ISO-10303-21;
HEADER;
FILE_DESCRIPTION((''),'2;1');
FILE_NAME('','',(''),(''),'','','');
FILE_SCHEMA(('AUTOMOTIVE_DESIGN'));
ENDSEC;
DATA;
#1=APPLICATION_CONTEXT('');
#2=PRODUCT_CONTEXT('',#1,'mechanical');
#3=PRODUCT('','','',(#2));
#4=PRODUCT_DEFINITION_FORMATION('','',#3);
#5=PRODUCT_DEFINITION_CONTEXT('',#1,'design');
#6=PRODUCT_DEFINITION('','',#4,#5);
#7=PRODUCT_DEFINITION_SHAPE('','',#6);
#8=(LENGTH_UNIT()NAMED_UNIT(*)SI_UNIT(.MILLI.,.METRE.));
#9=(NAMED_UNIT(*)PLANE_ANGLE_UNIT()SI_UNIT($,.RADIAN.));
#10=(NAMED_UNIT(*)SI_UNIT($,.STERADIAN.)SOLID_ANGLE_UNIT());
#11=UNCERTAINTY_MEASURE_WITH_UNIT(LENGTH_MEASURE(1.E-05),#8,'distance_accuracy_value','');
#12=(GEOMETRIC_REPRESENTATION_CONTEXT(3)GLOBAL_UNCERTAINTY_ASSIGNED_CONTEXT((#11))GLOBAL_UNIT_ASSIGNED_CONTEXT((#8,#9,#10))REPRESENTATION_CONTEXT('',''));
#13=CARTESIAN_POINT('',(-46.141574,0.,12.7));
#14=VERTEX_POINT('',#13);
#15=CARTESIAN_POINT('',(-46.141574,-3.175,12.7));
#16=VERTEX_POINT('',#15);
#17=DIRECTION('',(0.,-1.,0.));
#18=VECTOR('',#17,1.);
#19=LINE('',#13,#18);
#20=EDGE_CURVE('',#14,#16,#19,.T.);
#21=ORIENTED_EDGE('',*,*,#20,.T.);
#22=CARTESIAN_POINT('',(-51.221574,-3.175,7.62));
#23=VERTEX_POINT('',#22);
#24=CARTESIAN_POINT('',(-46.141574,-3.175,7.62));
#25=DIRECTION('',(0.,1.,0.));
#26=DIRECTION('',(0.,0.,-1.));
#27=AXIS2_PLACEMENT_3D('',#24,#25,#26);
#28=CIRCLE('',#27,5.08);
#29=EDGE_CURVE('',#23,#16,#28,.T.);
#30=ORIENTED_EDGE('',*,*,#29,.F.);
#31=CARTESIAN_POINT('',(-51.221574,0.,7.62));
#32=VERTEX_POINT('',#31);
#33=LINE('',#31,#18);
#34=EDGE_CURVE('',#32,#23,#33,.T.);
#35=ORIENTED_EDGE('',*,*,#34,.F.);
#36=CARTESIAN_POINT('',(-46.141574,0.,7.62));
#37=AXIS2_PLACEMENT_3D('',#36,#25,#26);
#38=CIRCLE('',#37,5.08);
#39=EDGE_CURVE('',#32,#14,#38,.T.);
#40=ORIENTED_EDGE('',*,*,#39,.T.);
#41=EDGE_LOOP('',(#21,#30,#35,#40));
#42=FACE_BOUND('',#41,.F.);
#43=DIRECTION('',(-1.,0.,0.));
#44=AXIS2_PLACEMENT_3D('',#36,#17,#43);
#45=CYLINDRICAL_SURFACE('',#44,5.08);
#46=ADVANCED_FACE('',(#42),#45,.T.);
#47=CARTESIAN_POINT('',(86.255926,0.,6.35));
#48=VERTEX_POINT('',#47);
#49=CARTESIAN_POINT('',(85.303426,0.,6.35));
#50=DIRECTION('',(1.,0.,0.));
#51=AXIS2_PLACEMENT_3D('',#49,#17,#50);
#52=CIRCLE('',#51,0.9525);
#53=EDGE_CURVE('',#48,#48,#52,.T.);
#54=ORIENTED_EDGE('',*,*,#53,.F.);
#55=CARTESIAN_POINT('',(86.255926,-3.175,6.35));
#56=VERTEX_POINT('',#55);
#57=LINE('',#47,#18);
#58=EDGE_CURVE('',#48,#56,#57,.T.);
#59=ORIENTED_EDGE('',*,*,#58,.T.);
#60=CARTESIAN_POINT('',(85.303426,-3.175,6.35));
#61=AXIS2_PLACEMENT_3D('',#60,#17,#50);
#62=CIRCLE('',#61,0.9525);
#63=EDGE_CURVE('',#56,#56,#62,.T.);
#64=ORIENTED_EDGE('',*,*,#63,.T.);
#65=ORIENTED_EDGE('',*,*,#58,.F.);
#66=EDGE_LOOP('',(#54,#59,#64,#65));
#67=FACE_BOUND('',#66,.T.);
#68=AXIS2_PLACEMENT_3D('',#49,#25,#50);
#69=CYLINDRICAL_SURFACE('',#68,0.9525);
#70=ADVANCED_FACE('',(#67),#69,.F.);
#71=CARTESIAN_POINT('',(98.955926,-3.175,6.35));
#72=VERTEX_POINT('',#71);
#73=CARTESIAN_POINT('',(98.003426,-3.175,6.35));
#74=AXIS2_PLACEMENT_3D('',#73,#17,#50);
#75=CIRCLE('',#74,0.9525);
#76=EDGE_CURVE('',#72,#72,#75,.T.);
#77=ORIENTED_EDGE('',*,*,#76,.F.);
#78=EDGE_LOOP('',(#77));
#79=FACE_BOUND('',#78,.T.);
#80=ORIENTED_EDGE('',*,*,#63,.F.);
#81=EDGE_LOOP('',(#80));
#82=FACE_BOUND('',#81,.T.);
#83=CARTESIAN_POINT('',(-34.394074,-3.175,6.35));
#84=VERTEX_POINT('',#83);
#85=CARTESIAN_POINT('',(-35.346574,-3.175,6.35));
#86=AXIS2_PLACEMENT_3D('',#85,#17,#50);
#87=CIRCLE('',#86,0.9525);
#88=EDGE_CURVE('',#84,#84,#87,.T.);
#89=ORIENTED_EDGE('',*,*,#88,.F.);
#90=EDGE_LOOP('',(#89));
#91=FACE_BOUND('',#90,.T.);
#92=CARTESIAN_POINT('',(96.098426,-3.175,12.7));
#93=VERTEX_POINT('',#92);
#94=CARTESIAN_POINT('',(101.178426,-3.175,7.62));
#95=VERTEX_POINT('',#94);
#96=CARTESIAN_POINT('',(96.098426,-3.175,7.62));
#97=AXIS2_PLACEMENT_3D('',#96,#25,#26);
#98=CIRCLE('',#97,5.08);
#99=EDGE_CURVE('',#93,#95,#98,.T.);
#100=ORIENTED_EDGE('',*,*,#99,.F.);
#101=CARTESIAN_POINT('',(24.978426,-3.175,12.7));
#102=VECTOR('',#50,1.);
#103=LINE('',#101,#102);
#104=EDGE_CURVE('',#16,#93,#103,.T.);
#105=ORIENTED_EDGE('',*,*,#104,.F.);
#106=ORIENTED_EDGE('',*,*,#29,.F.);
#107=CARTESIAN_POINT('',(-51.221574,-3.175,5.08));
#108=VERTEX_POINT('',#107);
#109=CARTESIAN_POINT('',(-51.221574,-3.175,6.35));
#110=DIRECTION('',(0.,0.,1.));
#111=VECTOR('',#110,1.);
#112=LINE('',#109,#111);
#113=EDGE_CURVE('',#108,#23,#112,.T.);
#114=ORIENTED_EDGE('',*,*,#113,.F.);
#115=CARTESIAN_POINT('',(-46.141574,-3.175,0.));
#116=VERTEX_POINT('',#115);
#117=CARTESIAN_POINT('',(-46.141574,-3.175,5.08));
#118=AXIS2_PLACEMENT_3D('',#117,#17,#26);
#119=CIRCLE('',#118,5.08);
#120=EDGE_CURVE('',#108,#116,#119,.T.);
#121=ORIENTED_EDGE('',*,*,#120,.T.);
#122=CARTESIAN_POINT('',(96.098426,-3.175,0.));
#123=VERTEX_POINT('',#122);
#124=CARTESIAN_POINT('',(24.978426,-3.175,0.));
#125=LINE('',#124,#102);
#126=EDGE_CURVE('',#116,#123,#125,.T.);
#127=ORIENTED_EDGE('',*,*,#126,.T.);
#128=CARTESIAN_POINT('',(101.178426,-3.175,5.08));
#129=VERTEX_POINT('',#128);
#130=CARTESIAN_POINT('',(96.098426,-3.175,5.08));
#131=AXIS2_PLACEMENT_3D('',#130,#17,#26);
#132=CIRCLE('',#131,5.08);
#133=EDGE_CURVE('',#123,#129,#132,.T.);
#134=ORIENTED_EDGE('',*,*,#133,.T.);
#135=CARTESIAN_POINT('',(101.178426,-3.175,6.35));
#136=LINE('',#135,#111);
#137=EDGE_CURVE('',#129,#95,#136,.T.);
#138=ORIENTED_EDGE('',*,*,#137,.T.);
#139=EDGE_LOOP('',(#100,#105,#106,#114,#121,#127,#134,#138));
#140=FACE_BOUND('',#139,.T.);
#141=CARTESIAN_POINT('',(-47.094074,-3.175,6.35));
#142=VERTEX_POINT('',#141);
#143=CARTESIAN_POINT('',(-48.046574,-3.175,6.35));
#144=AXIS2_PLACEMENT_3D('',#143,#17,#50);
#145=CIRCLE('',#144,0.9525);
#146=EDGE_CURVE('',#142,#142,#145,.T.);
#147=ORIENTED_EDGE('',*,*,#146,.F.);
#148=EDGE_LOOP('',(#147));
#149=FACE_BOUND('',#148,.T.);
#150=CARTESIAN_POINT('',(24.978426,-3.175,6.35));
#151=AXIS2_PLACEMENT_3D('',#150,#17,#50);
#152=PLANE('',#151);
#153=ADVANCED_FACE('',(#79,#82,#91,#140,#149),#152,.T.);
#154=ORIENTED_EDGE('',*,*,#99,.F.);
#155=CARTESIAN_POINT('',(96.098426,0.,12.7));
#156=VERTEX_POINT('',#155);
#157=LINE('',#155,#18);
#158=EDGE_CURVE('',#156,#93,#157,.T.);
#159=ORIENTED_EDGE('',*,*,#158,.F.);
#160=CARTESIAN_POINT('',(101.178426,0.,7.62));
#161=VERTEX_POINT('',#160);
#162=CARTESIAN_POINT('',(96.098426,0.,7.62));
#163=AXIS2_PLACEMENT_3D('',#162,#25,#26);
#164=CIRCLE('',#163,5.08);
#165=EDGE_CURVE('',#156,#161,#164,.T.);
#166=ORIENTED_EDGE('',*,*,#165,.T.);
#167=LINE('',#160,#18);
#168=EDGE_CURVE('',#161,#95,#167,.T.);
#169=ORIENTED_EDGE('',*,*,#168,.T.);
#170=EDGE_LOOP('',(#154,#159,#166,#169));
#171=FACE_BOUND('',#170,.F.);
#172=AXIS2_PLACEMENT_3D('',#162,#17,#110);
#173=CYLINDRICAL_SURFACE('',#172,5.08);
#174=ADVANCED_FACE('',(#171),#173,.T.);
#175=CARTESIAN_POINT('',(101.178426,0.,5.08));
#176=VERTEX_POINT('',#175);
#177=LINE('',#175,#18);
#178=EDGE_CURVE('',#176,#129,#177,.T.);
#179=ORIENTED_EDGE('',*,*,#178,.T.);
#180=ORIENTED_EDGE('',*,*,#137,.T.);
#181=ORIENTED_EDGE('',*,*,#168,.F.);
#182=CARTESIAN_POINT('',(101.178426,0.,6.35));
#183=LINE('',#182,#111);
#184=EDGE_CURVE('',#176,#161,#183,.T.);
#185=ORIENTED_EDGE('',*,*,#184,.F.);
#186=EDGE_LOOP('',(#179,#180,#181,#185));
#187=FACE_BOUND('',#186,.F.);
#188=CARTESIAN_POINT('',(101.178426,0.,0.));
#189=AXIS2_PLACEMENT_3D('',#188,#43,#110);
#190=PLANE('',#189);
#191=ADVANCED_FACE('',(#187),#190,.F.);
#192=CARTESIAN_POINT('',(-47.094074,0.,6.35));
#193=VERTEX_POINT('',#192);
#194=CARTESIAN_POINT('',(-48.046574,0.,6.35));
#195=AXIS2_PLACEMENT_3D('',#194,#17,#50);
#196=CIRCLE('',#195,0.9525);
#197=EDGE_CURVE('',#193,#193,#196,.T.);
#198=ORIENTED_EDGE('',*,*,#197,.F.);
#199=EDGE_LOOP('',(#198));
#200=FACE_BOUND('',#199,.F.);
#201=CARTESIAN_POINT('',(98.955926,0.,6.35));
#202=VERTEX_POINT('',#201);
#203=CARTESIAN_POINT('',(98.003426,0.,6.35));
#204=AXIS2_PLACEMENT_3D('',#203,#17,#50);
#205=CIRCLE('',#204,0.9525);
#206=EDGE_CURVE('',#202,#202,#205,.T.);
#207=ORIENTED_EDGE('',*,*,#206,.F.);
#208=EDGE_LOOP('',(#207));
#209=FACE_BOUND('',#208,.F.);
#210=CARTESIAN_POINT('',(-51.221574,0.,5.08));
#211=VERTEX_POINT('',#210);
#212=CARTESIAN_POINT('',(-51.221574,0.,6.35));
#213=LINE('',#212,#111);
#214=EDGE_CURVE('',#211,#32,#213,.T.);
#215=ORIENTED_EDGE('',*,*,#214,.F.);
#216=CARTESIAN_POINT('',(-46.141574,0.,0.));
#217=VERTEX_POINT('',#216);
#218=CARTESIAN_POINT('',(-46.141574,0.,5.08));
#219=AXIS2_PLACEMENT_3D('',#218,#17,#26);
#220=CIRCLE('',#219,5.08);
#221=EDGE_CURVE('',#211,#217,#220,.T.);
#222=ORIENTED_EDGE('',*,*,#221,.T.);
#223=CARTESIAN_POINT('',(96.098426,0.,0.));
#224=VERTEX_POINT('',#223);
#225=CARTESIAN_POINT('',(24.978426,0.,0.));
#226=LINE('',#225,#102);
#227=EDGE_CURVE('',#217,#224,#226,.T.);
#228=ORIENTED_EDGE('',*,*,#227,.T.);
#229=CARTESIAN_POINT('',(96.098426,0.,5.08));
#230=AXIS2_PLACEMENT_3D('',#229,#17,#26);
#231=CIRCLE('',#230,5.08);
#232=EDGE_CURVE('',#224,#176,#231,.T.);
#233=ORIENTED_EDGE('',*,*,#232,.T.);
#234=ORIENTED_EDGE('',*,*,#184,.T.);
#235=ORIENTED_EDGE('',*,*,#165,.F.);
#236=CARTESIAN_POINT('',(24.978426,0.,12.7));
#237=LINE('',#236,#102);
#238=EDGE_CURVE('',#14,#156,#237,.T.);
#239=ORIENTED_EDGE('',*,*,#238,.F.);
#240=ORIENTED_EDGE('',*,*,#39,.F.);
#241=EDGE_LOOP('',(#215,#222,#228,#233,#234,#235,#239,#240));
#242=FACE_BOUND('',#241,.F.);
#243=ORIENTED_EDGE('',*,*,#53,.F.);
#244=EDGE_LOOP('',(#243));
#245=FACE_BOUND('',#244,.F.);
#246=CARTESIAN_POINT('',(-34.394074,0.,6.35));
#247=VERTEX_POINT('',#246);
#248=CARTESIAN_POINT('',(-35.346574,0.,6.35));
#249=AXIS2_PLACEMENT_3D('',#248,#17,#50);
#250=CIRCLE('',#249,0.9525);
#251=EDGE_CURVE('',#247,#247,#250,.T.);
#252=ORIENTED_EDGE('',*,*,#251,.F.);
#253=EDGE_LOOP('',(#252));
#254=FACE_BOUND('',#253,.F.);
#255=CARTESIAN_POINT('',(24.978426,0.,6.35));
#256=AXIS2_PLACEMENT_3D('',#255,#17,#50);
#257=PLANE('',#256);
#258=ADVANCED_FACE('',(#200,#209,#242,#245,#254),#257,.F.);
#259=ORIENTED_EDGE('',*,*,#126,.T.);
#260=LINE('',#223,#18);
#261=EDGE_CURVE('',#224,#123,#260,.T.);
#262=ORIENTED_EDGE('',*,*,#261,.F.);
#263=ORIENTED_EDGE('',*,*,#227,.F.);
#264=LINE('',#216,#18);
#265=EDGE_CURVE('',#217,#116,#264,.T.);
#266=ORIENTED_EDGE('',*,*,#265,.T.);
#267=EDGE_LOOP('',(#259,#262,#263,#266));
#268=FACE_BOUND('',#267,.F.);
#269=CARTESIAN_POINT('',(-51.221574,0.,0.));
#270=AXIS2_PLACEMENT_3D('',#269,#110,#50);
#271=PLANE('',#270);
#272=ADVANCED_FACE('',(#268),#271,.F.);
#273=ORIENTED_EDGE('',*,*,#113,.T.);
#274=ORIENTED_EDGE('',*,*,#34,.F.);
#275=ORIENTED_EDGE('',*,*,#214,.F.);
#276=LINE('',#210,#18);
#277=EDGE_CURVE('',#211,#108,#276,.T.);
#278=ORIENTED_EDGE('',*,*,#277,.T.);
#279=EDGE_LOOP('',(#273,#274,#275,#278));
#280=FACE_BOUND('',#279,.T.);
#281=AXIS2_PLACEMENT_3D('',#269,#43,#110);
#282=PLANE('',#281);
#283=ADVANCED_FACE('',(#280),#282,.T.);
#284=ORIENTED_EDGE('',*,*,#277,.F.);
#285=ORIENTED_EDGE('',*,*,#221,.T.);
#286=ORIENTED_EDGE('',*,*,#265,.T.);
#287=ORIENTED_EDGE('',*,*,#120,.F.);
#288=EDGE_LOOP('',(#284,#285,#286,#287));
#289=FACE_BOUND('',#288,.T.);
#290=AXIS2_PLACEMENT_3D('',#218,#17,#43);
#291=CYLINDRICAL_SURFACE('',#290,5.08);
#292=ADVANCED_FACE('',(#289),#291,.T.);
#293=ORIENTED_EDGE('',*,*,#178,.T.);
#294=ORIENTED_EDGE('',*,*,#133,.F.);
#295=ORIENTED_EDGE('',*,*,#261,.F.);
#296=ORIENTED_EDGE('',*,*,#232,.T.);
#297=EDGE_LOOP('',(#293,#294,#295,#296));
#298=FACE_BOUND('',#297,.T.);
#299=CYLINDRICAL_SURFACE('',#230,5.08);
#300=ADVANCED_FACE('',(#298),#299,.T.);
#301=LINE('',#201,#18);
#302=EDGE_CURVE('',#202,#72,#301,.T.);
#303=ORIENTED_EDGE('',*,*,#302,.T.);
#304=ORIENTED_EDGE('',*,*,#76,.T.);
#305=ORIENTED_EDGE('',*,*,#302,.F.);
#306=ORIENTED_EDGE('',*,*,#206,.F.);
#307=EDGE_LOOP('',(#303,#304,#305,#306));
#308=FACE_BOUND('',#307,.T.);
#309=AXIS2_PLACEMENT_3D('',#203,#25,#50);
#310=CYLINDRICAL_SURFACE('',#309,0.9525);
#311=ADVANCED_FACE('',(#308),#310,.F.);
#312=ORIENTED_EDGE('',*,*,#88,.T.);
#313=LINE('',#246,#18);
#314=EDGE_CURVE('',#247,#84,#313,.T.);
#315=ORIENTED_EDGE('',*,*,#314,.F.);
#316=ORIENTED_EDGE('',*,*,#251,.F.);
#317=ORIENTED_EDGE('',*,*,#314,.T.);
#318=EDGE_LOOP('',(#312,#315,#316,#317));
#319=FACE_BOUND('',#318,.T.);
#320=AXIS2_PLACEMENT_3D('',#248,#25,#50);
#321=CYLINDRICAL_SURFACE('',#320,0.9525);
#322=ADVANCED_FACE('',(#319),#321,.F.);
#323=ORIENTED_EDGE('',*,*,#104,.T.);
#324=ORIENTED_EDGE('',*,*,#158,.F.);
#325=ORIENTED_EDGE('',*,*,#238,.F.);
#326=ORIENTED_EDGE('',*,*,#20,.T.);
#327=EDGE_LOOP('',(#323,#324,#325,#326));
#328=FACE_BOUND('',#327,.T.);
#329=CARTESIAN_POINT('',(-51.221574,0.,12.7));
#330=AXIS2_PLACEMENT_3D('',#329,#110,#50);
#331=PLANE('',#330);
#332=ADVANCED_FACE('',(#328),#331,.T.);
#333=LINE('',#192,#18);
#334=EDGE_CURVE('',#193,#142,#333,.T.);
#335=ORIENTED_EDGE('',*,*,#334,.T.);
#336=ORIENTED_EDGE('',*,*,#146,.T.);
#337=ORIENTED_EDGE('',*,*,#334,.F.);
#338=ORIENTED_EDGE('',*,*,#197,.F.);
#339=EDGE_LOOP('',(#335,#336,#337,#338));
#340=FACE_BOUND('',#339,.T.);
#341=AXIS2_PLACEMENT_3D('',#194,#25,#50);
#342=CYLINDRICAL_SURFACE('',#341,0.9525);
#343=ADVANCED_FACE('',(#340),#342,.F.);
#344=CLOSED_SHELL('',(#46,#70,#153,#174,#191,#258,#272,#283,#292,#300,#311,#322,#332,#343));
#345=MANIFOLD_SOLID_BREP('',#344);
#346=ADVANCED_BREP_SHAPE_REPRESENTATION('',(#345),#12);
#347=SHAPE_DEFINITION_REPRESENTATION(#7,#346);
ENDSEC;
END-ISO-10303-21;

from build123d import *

# Parameters (mm, degrees)
F0_W     = 152.4
F0_H     = 12.7
F0_R     = 0.9525
F1_DEPTH = 3.175
F2_R     = 5.08


with BuildPart() as f1:
    # F0 (on Front) → F1 (new body)
    with BuildSketch(Plane.XZ):
        with Locations((24.978426, 6.35)):
            Rectangle(F0_W, F0_H)
        with Locations((-48.046574, 6.35)):
            Circle(F0_R, mode=Mode.SUBTRACT)
        with Locations((-35.346574, 6.35)):
            Circle(F0_R, mode=Mode.SUBTRACT)
        with Locations((85.303426, 6.35)):
            Circle(F0_R, mode=Mode.SUBTRACT)
        with Locations((98.003426, 6.35)):
            Circle(F0_R, mode=Mode.SUBTRACT)
    extrude(amount=F1_DEPTH)

    # F2
    f2_edges = [f1.edges().sort_by_distance(p)[0] for p in [
        (101.178426, -1.5875, 12.7),
        (101.178426, -1.5875, 0),
        (-51.221574, -1.5875, 12.7),
        (-51.221574, -1.5875, 0),
    ]]
    fillet(f2_edges, radius=F2_R)


solid = f1.part
